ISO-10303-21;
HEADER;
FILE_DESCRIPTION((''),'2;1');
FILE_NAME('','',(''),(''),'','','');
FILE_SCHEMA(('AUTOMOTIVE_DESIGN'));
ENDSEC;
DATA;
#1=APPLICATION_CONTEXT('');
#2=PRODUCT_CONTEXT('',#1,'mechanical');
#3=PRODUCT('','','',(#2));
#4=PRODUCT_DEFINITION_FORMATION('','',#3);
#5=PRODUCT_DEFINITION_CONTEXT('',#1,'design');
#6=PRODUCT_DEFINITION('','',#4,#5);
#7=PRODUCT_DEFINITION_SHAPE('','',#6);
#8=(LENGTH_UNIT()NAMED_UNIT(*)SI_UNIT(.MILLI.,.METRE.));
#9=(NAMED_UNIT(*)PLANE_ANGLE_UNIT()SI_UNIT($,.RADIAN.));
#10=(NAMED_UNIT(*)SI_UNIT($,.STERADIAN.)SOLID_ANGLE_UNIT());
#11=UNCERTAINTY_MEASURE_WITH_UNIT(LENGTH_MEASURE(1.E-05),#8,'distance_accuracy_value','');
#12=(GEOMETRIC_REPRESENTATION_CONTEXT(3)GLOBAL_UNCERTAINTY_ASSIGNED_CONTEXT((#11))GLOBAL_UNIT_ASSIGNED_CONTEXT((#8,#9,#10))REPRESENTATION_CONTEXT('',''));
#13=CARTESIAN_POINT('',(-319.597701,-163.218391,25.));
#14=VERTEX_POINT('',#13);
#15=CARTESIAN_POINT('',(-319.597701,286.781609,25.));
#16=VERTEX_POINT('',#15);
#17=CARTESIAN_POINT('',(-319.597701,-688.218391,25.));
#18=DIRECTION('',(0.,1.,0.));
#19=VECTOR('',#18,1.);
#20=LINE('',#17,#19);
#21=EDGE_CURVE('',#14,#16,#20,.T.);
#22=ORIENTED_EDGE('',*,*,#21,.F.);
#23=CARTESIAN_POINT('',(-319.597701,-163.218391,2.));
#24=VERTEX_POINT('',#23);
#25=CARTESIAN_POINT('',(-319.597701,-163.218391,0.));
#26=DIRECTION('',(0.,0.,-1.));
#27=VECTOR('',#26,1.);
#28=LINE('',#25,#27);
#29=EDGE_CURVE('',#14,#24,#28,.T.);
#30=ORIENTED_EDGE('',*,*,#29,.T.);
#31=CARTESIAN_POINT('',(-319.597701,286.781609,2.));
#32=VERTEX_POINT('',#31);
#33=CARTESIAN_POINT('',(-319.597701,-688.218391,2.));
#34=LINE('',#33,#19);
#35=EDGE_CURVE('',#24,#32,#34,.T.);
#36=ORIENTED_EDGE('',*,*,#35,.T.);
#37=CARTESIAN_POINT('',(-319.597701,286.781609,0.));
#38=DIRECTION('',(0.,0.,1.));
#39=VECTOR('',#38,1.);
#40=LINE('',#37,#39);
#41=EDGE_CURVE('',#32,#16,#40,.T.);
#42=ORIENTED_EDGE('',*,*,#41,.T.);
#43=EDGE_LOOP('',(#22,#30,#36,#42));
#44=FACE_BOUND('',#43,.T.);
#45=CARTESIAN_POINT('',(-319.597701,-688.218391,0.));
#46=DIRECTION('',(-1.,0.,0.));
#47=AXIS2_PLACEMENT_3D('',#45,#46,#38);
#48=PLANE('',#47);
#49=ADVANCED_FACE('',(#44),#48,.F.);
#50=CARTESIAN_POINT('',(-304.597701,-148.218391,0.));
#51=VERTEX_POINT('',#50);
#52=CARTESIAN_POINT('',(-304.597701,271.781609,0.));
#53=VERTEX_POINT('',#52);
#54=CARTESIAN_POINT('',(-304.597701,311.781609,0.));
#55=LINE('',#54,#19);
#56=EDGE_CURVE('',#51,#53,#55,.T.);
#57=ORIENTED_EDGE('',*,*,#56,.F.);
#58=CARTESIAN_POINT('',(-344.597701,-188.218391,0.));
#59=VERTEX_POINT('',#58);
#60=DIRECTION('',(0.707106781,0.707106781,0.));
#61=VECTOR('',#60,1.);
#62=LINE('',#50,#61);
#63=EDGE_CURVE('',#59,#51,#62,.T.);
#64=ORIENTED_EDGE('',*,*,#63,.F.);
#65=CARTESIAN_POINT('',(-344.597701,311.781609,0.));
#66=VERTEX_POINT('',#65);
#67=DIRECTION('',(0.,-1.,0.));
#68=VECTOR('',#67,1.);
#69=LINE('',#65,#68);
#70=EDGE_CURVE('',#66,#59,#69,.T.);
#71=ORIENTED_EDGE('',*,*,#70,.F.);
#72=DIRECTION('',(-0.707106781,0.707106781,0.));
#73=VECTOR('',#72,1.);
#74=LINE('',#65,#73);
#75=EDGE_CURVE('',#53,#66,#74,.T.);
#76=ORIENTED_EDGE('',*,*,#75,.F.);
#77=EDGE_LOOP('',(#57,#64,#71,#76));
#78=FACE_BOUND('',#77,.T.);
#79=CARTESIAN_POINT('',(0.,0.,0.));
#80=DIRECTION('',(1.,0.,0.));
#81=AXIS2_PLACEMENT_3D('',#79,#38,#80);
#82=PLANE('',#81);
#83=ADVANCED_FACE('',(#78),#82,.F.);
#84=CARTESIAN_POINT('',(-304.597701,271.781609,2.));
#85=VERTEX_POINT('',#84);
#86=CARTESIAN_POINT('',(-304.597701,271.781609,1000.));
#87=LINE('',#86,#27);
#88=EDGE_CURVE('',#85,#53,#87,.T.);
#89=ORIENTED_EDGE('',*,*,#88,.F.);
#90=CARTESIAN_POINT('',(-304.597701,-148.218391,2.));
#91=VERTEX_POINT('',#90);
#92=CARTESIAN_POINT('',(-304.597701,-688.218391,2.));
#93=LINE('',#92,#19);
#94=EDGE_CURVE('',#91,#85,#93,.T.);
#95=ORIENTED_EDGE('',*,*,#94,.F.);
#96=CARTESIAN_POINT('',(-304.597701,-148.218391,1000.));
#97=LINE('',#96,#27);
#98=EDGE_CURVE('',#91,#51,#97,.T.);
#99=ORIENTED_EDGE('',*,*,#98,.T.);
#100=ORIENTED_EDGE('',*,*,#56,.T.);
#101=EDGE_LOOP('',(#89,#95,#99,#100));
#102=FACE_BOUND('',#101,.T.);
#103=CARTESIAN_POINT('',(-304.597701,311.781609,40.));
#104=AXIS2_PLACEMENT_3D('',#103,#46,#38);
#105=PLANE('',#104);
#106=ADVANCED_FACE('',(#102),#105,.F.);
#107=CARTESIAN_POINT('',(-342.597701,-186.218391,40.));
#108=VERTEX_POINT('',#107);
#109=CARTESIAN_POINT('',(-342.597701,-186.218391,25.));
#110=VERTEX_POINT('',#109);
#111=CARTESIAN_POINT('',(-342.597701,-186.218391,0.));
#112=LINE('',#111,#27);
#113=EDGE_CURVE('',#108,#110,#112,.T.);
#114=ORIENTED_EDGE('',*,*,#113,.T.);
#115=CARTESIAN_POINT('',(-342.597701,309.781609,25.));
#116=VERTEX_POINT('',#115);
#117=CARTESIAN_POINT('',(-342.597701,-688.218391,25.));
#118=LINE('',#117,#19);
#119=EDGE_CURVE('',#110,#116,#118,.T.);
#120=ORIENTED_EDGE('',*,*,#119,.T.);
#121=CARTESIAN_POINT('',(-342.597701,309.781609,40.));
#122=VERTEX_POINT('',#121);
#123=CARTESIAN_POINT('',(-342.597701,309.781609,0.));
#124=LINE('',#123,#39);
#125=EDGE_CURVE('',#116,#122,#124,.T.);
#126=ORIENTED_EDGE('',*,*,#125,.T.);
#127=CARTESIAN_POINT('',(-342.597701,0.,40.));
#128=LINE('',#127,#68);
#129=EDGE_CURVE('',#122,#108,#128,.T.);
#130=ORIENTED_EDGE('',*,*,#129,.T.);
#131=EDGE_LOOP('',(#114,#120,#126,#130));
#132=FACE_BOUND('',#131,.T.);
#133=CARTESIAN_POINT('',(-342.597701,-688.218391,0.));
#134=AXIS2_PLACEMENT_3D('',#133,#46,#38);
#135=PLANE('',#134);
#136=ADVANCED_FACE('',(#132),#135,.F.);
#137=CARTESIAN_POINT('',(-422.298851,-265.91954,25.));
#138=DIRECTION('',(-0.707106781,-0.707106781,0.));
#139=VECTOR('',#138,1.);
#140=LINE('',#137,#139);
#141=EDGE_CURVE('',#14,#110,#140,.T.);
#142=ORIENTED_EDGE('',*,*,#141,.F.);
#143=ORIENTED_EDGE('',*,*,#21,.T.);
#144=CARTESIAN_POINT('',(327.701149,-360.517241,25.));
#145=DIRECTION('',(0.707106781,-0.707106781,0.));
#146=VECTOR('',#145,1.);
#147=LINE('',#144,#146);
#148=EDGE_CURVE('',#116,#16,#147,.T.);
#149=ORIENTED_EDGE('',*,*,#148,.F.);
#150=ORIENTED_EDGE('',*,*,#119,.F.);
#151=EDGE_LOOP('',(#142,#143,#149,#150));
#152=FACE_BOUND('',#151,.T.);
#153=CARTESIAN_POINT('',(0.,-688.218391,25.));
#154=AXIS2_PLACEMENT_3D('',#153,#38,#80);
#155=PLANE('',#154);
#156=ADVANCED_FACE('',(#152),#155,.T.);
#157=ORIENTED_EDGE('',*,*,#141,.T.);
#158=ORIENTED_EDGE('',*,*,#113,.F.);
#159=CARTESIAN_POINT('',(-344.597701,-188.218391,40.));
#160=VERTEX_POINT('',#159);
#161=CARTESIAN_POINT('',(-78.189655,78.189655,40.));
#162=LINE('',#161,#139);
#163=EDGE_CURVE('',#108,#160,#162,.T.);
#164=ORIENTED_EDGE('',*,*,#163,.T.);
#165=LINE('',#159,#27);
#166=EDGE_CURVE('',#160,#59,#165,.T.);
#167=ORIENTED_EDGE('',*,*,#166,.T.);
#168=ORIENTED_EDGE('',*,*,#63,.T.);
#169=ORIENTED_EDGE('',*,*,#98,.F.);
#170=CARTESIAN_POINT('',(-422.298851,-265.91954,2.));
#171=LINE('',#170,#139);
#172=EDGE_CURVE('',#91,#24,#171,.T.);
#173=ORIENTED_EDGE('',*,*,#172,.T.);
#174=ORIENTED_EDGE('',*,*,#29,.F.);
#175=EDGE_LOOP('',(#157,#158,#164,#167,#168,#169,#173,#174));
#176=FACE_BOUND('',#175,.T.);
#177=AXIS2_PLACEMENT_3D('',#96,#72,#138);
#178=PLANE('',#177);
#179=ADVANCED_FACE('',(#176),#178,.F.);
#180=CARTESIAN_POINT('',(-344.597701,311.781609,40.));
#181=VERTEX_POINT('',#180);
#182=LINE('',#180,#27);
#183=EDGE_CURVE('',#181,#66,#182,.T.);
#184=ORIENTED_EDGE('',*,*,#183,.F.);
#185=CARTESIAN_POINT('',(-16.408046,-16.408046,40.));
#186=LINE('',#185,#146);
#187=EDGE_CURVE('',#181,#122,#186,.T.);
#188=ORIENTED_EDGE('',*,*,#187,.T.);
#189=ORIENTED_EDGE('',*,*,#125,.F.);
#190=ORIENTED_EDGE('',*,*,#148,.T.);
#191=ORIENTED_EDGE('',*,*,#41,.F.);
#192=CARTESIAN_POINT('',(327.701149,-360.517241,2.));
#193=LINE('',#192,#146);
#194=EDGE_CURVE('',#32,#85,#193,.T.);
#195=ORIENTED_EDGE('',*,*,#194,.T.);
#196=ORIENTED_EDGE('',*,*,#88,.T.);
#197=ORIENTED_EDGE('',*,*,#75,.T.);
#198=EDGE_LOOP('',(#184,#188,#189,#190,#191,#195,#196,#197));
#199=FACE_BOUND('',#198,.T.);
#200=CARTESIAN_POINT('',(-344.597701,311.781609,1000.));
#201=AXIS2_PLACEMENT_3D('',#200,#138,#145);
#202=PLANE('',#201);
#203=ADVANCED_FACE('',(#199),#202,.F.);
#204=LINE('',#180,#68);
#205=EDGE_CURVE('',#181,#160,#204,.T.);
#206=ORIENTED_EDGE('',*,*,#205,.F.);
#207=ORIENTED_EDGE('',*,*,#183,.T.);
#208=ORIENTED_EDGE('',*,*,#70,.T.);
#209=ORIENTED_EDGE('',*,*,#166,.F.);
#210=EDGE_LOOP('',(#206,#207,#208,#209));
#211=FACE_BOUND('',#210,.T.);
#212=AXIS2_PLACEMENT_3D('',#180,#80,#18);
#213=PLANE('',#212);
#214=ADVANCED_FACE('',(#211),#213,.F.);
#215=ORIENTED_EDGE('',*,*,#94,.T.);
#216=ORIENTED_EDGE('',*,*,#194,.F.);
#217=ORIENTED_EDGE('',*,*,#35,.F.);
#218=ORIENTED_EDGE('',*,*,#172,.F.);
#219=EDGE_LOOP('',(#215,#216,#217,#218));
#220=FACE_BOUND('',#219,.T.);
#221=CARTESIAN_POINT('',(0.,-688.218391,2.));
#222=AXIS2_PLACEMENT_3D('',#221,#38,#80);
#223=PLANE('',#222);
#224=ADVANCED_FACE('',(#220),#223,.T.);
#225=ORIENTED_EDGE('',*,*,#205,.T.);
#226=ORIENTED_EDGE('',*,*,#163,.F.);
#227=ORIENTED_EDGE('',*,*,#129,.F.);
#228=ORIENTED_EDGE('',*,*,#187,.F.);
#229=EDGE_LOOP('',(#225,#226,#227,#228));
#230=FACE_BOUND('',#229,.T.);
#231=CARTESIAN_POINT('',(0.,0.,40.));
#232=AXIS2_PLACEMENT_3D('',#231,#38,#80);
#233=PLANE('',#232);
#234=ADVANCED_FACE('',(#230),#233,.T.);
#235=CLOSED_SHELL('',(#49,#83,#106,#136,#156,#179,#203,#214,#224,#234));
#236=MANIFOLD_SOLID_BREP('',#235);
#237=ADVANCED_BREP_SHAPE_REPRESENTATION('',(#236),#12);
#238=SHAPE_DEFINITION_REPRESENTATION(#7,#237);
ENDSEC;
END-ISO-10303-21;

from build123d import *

# Parameters (mm, degrees)
SKETCH2_W           = 40
SKETCH2_H           = 500
BOSS_EXTRUDE1_DEPTH = 40
SKETCH3_W           = 15
SKETCH3_H           = 23
SKETCH3_H_2         = 15
SKETCH3_W_2         = 23
CUT_EXTRUDE1_DEPTH  = 1000
CUT_EXTRUDE2_DEPTH  = 1000


with BuildPart() as part:
    # Sketch2 → Boss-Extrude1 (new body)
    with BuildSketch(Plane.XY):
        with Locations((-324.597701149, 61.781609195)):
            Rectangle(SKETCH2_W, SKETCH2_H)
    extrude(amount=BOSS_EXTRUDE1_DEPTH)

    # Sketch3 → Cut-Extrude1 (cut)
    with BuildSketch(Plane(origin=(0, 311.781609195, 0), x_dir=(1, 0, 0), z_dir=(0, 1, 0))):
        with Locations((-312.097701149, -13.5)):
            Rectangle(SKETCH3_W, SKETCH3_H)
        with Locations((-312.097701149, -32.5)):
            Rectangle(SKETCH3_W, SKETCH3_H_2)
        with Locations((-331.097701149, -32.5)):
            Rectangle(SKETCH3_W_2, SKETCH3_H_2)
    extrude(amount=-CUT_EXTRUDE1_DEPTH, mode=Mode.SUBTRACT)

    # Sketch4 → Cut-Extrude2 (cut)
    with BuildSketch(Plane(origin=(0, 0, 0), x_dir=(-1, 0, 0), z_dir=(0, 0, -1))):
        Polygon((304.597701149, 311.781609195), (344.597701149, 311.781609195), (304.597701149, 271.781609195), align=None)
        Polygon((344.597701149, -188.218390805), (304.597701149, -188.218390805), (304.597701149, -148.218390805), align=None)
    extrude(amount=-CUT_EXTRUDE2_DEPTH, mode=Mode.SUBTRACT)


solid = part.part
